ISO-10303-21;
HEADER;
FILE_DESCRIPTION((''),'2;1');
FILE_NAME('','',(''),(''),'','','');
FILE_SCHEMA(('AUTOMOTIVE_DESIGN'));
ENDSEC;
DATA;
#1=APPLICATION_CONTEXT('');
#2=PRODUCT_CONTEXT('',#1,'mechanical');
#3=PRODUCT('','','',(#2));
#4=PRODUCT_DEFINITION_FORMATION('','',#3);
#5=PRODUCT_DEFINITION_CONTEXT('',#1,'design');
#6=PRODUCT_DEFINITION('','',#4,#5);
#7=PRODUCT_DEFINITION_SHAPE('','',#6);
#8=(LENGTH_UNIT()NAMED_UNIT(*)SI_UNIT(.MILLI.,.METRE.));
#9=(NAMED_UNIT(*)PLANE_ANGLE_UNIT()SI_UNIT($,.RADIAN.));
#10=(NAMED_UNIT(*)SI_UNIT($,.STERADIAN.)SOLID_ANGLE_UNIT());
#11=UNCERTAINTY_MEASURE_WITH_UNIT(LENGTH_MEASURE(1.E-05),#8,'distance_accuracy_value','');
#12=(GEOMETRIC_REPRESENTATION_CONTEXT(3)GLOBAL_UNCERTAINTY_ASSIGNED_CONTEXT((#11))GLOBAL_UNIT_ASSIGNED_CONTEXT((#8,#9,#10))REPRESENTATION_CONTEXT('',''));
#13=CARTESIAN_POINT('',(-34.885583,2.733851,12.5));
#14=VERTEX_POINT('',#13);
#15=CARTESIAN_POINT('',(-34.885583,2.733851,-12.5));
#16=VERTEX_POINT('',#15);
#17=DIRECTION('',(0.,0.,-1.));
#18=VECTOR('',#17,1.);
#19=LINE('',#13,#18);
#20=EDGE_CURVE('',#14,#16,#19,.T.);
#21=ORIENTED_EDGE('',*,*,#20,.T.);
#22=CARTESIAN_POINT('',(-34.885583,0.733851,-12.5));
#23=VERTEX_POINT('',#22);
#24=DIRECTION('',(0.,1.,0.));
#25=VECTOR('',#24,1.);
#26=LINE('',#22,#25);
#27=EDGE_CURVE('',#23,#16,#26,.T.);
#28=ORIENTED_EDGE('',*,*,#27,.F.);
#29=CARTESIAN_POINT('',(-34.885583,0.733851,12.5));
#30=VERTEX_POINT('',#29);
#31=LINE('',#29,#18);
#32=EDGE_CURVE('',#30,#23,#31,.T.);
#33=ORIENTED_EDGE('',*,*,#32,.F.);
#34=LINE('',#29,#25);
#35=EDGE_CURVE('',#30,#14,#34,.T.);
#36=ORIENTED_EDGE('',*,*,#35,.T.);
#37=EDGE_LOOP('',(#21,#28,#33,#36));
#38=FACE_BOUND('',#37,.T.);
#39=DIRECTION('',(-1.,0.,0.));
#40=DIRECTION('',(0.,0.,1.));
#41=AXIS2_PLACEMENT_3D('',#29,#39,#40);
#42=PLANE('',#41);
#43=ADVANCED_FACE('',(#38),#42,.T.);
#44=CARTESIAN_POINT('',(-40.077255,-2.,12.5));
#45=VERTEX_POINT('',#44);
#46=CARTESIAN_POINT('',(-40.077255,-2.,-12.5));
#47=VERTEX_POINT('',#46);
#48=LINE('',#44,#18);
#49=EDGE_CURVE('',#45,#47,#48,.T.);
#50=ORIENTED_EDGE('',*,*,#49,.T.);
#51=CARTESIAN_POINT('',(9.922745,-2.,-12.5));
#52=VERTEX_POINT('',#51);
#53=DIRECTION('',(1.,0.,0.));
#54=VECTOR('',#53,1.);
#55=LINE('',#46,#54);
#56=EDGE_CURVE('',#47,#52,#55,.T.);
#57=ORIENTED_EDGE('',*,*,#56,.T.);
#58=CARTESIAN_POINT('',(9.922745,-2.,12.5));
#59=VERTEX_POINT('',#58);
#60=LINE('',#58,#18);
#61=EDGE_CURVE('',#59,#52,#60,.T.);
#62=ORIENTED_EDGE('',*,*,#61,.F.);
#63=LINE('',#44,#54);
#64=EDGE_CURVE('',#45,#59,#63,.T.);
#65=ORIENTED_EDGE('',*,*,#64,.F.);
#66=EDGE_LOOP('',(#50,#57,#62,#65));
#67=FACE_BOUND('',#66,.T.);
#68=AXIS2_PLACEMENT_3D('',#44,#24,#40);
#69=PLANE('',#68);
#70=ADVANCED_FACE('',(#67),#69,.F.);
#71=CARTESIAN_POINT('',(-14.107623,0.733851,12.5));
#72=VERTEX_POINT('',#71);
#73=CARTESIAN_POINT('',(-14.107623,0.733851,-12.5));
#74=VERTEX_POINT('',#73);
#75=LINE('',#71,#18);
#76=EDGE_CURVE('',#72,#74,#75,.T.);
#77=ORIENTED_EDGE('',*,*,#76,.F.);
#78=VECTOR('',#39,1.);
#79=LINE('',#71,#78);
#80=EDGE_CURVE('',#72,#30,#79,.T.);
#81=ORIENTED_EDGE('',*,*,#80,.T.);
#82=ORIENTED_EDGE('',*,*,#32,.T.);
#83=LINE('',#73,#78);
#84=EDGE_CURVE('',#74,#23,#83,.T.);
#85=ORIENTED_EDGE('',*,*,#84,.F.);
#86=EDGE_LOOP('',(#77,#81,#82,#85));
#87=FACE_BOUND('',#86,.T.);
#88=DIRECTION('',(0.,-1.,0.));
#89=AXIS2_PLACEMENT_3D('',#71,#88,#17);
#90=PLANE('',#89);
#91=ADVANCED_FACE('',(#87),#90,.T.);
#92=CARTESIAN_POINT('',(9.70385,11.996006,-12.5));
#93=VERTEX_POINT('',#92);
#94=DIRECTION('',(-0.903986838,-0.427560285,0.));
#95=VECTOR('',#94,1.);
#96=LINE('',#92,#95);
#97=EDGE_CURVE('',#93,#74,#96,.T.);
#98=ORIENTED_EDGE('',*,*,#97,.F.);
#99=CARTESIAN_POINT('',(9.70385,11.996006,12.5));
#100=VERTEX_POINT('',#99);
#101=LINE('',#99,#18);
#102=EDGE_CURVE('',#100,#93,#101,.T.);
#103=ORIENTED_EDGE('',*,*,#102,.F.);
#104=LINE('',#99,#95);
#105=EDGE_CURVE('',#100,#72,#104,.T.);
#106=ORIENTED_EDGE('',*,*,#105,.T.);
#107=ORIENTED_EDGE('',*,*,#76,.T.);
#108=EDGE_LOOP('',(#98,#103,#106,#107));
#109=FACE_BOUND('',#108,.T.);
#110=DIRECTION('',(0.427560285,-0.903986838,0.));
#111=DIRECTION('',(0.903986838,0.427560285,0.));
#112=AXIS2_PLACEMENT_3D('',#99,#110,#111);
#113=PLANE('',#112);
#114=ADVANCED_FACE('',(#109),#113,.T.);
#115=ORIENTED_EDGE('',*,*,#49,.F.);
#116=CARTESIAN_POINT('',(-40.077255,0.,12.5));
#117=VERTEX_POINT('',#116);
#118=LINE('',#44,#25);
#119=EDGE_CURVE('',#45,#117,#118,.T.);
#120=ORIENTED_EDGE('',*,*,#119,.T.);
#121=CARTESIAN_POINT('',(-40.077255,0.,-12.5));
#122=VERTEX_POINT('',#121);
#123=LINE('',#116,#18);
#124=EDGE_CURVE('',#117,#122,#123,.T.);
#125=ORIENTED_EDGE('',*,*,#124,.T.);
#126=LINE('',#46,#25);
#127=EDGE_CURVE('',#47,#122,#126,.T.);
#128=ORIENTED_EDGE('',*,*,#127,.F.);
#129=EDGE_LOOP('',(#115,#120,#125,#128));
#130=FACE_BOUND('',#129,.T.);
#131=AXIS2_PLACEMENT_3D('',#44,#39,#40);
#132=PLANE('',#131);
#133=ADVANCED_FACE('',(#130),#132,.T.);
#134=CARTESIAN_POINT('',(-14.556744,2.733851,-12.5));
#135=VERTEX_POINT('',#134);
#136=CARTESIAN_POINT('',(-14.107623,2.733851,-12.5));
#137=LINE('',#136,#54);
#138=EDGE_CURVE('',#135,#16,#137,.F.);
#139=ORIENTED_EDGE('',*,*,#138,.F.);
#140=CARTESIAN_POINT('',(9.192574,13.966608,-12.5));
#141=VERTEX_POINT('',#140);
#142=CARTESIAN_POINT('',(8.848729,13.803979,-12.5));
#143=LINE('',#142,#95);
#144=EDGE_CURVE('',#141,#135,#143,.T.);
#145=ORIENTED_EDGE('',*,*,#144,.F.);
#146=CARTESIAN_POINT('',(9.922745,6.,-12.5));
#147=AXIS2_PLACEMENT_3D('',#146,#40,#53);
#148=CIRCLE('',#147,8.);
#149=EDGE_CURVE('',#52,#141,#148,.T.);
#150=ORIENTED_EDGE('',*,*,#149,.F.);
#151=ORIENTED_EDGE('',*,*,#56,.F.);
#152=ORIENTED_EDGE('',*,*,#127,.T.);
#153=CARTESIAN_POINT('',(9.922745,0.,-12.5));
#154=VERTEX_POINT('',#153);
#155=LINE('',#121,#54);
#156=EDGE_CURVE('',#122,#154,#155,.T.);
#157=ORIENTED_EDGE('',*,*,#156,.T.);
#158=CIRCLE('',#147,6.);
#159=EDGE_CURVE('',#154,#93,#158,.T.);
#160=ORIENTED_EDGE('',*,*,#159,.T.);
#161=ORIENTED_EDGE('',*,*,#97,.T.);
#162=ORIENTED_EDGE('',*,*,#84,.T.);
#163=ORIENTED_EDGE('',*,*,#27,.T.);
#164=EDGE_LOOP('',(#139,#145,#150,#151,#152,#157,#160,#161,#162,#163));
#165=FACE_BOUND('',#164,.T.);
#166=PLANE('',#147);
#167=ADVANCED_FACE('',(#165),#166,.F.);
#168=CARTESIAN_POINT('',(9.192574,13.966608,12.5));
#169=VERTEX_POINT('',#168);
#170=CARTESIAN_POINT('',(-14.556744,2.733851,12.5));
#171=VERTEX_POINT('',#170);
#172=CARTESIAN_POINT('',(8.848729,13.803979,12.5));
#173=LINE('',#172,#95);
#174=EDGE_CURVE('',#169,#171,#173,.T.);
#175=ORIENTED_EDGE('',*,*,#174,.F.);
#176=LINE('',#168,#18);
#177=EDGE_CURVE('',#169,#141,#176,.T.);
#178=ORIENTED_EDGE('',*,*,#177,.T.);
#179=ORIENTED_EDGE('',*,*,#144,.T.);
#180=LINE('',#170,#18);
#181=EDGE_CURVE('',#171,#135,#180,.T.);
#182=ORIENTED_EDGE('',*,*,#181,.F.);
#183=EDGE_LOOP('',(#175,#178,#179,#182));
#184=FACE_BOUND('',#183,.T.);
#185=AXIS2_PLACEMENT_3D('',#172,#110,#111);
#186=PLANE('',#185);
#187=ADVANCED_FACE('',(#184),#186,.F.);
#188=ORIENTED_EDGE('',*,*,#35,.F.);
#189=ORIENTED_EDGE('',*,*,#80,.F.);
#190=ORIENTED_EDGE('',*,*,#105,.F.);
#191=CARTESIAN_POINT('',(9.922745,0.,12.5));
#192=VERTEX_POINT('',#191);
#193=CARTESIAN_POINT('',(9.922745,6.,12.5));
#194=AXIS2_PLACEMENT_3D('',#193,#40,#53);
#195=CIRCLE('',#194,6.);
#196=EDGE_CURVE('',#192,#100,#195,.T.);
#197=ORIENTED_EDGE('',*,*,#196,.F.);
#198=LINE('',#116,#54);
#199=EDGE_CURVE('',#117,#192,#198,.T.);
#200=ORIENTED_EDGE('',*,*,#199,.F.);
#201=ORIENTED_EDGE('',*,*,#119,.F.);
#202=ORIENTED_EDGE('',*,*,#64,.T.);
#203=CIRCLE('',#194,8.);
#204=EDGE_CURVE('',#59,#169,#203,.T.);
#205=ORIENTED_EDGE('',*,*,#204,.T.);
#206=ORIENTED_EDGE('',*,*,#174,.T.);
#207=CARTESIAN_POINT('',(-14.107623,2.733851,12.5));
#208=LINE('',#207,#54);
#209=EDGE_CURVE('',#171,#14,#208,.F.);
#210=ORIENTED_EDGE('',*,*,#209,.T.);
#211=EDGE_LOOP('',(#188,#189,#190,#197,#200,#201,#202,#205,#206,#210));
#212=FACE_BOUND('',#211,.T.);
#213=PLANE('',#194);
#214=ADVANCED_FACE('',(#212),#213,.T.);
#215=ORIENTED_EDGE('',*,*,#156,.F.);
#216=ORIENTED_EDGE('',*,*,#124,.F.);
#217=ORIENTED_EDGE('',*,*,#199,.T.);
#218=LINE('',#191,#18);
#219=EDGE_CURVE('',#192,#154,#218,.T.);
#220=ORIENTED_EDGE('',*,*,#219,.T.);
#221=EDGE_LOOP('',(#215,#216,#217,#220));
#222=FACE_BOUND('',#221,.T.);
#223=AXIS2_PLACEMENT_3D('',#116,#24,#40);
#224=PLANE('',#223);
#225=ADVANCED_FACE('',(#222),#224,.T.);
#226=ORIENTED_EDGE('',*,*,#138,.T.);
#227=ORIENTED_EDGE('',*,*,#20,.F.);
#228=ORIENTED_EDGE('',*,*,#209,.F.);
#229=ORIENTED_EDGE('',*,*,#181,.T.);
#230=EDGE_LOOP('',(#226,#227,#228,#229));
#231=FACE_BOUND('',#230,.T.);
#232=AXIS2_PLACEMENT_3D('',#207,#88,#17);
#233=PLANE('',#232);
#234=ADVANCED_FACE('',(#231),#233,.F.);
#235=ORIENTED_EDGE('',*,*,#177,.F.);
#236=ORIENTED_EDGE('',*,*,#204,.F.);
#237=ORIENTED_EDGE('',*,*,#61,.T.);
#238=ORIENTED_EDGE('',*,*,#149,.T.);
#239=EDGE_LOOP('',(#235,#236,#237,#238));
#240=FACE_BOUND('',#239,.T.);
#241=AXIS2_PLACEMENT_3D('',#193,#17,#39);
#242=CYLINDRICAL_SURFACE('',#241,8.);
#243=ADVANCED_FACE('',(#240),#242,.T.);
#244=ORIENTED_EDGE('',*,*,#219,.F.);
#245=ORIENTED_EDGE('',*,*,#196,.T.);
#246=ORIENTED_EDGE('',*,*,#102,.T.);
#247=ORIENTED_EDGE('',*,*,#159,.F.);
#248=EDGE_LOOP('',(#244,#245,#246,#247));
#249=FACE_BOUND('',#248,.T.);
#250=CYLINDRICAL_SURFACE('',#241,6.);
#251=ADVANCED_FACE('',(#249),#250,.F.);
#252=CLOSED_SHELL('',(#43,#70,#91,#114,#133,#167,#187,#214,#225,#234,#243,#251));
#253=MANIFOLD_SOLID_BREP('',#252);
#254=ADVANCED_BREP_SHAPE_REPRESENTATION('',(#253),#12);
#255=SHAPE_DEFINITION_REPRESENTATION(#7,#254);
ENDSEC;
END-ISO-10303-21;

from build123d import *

# Parameters (mm, degrees)
EXTRUDE_THIN1_DEPTH = 12.5


with BuildPart() as part:
    # Sketch1 → Extrude-Thin1 (new, symmetric)
    with BuildSketch(Plane.XY):
        with BuildLine():
            Line((-40.077255037, 0), (9.922744963, 0))
            ThreePointArc((9.922744963, 0), (15.921746314, 6.10946594), (9.703849522, 11.996005736))
            Line((9.703849522, 11.996005736), (-14.107622933, 0.733850653))
            Line((-14.107622933, 0.733850653), (-34.885582543, 0.733850653))
            Line((-34.885582543, 0.733850653), (-34.885582543, 2.733850653))
            Line((-34.885582543, 2.733850653), (-14.556743985, 2.733850653))
            Line((-14.556743985, 2.733850653), (9.192574096, 13.966608469))
            ThreePointArc((9.192574096, 13.966608469), (17.914392721, 6.365466992), (9.922744963, -2))
            Line((9.922744963, -2), (-40.077255037, -2))
            Line((-40.077255037, -2), (-40.077255037, 0))
        make_face()
    extrude(amount=EXTRUDE_THIN1_DEPTH, both=True)


solid = part.part
